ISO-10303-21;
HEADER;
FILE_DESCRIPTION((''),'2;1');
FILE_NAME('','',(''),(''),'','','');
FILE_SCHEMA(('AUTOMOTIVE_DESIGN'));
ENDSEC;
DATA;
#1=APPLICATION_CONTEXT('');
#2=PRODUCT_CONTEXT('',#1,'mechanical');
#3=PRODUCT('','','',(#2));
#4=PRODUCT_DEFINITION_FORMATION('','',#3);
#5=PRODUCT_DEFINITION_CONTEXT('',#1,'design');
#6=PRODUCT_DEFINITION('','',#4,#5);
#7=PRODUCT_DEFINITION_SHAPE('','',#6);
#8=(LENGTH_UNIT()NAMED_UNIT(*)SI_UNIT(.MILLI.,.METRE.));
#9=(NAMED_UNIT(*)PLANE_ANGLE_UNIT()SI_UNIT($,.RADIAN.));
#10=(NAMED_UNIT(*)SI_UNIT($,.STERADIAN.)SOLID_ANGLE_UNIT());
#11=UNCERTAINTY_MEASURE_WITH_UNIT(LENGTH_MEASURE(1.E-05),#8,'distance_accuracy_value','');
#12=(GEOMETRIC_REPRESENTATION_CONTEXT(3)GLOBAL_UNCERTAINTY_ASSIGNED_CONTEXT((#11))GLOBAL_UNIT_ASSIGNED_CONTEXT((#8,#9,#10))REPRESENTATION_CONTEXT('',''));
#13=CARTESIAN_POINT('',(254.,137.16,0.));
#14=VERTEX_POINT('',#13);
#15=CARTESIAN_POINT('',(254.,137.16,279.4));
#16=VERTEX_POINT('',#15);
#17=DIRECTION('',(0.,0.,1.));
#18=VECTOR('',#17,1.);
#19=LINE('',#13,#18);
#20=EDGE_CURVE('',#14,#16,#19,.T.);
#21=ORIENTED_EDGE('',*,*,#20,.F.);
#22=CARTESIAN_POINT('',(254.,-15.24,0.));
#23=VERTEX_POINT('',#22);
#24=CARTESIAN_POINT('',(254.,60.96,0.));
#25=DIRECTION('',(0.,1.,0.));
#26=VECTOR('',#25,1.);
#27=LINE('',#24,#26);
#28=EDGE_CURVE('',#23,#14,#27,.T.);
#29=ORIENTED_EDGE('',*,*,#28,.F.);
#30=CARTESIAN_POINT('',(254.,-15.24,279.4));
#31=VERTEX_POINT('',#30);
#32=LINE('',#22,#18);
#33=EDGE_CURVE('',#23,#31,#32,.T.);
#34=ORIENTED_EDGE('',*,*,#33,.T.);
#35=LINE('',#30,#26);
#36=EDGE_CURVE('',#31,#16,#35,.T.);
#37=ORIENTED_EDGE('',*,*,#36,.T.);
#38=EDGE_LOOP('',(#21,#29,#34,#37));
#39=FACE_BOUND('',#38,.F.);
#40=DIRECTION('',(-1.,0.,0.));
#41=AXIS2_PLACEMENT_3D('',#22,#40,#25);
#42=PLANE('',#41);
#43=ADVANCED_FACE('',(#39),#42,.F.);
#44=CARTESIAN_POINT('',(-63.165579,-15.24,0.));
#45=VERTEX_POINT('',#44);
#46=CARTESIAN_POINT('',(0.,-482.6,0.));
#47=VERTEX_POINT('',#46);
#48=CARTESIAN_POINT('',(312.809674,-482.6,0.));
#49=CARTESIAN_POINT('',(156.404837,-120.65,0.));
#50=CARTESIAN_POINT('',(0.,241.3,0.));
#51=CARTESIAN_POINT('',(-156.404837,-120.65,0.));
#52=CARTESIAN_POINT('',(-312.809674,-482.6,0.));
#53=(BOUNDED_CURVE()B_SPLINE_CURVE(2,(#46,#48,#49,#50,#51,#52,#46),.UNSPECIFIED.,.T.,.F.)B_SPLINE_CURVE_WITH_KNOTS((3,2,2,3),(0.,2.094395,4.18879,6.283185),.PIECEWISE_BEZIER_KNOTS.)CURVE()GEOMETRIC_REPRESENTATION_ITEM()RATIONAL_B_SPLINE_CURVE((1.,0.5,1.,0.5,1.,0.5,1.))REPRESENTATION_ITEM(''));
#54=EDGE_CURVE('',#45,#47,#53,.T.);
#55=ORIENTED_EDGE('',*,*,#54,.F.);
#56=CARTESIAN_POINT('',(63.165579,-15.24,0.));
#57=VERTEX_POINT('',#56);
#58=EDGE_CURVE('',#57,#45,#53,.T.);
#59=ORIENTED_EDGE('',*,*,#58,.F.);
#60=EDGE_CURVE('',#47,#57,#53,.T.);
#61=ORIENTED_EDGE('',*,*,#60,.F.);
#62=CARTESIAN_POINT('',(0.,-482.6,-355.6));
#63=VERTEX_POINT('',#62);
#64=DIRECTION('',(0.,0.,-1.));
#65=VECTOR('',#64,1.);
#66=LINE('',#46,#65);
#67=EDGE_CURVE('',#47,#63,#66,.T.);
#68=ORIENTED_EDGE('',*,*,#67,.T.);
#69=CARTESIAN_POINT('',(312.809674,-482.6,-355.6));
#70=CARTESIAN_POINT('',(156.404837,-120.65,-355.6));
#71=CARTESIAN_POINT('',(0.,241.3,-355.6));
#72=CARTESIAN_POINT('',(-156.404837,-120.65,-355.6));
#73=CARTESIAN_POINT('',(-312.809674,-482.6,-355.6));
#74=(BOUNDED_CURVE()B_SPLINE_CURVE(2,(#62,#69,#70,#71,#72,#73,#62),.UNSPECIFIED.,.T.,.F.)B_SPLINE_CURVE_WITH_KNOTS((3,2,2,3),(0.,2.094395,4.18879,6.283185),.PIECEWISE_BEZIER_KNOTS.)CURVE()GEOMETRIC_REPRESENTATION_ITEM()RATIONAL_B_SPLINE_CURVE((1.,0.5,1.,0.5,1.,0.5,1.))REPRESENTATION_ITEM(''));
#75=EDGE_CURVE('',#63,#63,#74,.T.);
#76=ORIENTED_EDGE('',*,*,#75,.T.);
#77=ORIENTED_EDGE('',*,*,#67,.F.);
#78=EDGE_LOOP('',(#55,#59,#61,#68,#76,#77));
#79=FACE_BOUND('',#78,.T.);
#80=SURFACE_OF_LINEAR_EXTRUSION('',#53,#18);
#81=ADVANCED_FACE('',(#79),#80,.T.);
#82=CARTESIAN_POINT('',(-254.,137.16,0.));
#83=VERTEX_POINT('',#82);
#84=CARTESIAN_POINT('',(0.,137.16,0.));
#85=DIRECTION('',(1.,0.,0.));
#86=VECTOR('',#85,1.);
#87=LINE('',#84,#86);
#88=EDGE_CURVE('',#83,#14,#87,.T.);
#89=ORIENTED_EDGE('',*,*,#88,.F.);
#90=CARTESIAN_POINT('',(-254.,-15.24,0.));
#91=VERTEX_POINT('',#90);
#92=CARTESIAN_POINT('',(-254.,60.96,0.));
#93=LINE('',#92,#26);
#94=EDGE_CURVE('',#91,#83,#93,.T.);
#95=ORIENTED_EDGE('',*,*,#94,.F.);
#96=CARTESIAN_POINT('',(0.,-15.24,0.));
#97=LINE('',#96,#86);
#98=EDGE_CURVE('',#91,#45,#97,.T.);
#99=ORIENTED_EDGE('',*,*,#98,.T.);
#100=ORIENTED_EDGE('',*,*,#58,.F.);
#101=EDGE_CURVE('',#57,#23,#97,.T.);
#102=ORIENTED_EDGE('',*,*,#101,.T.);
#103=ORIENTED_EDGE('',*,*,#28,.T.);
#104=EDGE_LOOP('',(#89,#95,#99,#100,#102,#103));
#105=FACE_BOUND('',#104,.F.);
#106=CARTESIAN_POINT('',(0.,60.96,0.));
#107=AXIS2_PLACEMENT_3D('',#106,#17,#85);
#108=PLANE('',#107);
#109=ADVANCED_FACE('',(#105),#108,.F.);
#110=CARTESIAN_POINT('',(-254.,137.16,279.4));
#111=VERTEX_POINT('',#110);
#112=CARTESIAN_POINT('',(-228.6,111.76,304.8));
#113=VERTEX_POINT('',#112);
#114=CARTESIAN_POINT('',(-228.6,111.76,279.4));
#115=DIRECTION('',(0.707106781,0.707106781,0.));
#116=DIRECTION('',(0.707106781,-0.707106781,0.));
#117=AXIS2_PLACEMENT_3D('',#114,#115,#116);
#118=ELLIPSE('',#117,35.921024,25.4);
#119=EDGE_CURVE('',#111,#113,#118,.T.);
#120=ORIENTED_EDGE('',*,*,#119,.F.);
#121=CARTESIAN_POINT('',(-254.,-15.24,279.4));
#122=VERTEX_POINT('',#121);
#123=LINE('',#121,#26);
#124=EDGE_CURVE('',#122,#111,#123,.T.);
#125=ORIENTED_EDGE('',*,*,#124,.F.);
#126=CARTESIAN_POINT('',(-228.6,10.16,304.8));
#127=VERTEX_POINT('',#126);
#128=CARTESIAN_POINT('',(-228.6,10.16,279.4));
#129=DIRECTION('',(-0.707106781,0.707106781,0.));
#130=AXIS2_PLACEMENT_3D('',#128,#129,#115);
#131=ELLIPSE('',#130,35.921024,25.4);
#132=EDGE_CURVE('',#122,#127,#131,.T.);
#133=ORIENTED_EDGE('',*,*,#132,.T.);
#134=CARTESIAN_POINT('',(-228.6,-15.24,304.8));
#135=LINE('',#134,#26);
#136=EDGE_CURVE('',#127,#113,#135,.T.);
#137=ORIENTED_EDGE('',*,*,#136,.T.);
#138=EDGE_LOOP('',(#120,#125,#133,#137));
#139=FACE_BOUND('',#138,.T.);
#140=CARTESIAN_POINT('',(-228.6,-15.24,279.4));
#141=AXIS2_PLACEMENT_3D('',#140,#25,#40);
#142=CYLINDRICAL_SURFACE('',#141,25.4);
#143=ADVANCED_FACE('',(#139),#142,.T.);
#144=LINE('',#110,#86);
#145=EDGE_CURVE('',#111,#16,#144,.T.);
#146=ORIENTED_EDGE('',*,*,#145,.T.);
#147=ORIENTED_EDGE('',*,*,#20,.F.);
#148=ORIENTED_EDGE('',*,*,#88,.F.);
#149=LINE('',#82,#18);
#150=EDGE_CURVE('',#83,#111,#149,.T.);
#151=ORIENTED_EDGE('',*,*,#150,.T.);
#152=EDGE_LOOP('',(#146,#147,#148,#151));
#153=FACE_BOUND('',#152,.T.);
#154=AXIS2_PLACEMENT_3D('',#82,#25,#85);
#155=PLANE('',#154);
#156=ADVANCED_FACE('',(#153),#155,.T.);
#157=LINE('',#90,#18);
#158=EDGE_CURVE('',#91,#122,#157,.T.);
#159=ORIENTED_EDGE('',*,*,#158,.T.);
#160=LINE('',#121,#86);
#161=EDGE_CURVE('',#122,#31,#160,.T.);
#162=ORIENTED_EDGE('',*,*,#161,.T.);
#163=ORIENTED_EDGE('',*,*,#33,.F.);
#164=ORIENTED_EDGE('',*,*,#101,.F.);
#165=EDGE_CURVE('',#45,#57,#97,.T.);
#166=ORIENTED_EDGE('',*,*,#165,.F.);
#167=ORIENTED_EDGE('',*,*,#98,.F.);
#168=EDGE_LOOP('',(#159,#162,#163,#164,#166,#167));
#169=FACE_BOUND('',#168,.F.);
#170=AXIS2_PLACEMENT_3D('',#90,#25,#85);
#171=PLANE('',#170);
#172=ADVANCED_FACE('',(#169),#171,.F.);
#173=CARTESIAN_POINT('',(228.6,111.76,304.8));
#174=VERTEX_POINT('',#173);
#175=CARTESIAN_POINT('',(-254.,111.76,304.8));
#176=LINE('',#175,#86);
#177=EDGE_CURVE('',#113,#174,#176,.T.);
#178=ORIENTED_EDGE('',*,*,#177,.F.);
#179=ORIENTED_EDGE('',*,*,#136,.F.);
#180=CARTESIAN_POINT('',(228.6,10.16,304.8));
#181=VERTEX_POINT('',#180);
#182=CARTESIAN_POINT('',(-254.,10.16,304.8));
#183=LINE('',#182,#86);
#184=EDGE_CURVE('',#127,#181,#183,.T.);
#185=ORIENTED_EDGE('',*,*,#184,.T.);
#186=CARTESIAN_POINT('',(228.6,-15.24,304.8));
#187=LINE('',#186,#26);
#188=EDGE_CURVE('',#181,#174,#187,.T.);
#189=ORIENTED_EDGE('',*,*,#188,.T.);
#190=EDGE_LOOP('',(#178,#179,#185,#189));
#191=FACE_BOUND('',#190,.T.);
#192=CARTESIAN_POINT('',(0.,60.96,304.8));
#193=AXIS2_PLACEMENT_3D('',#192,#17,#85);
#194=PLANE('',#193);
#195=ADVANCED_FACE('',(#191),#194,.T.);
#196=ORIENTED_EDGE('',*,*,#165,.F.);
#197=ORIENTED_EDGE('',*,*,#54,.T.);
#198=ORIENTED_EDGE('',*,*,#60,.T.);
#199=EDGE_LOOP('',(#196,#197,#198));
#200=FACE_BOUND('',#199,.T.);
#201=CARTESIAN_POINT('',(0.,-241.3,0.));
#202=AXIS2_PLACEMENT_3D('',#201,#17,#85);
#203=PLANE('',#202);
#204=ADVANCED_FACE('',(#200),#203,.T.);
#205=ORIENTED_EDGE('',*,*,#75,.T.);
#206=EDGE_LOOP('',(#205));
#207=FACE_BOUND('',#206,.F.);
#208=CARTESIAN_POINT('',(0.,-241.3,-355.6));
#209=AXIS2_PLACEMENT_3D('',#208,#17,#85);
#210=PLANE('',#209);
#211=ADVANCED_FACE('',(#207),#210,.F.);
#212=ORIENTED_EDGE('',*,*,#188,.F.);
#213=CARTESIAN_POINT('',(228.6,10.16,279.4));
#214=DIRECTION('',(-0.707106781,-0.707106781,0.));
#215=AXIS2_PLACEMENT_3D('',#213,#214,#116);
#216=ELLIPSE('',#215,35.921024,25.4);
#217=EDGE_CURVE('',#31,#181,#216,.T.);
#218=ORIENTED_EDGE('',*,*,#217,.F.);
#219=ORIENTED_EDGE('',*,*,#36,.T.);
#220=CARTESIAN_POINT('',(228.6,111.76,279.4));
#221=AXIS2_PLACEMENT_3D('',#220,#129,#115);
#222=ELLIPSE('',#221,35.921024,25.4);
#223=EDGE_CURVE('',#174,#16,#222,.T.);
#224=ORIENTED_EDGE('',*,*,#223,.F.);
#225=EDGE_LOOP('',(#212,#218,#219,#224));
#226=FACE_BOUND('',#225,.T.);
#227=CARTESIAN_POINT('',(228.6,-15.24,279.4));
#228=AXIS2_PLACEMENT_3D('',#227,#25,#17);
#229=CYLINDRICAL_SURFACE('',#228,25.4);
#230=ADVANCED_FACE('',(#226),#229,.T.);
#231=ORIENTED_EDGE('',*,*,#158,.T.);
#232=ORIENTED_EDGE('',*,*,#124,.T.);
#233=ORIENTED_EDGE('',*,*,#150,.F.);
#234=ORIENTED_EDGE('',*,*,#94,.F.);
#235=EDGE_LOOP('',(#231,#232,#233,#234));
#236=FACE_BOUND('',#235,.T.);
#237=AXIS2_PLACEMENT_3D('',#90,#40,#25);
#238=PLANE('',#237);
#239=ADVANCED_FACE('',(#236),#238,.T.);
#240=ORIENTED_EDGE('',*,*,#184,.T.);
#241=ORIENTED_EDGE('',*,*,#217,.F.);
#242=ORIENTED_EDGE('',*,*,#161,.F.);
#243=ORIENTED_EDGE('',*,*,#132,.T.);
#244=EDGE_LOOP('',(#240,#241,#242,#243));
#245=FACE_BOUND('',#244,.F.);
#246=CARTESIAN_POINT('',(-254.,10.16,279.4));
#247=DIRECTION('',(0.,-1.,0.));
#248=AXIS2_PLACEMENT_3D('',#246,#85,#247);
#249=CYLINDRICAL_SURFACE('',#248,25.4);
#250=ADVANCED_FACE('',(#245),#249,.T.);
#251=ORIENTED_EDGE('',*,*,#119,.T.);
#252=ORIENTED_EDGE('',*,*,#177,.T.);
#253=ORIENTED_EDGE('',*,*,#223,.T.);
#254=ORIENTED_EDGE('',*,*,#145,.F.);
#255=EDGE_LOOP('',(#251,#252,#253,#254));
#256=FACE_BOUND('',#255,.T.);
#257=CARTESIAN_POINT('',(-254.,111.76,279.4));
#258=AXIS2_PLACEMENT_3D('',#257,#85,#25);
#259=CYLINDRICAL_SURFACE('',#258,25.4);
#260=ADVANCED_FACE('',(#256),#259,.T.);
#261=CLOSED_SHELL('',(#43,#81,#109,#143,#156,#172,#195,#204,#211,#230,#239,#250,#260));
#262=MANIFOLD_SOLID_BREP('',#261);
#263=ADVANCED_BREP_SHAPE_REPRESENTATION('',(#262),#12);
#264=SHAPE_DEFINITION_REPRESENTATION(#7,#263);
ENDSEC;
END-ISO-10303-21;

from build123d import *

# Parameters (mm, degrees)
F1_DEPTH = 355.6
F2_W     = 508
F2_H     = 152.4
F3_DEPTH = 304.8
F4_R     = 25.4


with BuildPart() as f1:
    # F0 (on Top) → F1 (new body)
    with BuildSketch(Plane.XY):
        with BuildLine():
            add(Edge.make_bspline(
                [(0, -482.6), (312.809674, -482.6), (156.404837, -120.65), (0, 241.3), (-156.404837, -120.65), (-312.809674, -482.6), (0, -482.6)],
                knots=[0, 0, 0, 2.094395, 2.094395, 4.18879, 4.18879, 6.283185, 6.283185, 6.283185], degree=2, weights=[1, 0.5, 1, 0.5, 1, 0.5, 1]))
        make_face()
    extrude(amount=-F1_DEPTH)

    # F2 (on face) → F3 (join)
    with BuildSketch(Plane.XY):
        with Locations((0, 60.96)):
            Rectangle(F2_W, F2_H)
    extrude(amount=F3_DEPTH)

    # F4
    f4_edges = [f1.edges().sort_by_distance(p)[0] for p in [
        (0, -15.24, 304.8),
        (254, 60.96, 304.8),
        (0, 137.16, 304.8),
        (-254, 60.96, 304.8),
    ]]
    fillet(f4_edges, radius=F4_R)


solid = f1.part
